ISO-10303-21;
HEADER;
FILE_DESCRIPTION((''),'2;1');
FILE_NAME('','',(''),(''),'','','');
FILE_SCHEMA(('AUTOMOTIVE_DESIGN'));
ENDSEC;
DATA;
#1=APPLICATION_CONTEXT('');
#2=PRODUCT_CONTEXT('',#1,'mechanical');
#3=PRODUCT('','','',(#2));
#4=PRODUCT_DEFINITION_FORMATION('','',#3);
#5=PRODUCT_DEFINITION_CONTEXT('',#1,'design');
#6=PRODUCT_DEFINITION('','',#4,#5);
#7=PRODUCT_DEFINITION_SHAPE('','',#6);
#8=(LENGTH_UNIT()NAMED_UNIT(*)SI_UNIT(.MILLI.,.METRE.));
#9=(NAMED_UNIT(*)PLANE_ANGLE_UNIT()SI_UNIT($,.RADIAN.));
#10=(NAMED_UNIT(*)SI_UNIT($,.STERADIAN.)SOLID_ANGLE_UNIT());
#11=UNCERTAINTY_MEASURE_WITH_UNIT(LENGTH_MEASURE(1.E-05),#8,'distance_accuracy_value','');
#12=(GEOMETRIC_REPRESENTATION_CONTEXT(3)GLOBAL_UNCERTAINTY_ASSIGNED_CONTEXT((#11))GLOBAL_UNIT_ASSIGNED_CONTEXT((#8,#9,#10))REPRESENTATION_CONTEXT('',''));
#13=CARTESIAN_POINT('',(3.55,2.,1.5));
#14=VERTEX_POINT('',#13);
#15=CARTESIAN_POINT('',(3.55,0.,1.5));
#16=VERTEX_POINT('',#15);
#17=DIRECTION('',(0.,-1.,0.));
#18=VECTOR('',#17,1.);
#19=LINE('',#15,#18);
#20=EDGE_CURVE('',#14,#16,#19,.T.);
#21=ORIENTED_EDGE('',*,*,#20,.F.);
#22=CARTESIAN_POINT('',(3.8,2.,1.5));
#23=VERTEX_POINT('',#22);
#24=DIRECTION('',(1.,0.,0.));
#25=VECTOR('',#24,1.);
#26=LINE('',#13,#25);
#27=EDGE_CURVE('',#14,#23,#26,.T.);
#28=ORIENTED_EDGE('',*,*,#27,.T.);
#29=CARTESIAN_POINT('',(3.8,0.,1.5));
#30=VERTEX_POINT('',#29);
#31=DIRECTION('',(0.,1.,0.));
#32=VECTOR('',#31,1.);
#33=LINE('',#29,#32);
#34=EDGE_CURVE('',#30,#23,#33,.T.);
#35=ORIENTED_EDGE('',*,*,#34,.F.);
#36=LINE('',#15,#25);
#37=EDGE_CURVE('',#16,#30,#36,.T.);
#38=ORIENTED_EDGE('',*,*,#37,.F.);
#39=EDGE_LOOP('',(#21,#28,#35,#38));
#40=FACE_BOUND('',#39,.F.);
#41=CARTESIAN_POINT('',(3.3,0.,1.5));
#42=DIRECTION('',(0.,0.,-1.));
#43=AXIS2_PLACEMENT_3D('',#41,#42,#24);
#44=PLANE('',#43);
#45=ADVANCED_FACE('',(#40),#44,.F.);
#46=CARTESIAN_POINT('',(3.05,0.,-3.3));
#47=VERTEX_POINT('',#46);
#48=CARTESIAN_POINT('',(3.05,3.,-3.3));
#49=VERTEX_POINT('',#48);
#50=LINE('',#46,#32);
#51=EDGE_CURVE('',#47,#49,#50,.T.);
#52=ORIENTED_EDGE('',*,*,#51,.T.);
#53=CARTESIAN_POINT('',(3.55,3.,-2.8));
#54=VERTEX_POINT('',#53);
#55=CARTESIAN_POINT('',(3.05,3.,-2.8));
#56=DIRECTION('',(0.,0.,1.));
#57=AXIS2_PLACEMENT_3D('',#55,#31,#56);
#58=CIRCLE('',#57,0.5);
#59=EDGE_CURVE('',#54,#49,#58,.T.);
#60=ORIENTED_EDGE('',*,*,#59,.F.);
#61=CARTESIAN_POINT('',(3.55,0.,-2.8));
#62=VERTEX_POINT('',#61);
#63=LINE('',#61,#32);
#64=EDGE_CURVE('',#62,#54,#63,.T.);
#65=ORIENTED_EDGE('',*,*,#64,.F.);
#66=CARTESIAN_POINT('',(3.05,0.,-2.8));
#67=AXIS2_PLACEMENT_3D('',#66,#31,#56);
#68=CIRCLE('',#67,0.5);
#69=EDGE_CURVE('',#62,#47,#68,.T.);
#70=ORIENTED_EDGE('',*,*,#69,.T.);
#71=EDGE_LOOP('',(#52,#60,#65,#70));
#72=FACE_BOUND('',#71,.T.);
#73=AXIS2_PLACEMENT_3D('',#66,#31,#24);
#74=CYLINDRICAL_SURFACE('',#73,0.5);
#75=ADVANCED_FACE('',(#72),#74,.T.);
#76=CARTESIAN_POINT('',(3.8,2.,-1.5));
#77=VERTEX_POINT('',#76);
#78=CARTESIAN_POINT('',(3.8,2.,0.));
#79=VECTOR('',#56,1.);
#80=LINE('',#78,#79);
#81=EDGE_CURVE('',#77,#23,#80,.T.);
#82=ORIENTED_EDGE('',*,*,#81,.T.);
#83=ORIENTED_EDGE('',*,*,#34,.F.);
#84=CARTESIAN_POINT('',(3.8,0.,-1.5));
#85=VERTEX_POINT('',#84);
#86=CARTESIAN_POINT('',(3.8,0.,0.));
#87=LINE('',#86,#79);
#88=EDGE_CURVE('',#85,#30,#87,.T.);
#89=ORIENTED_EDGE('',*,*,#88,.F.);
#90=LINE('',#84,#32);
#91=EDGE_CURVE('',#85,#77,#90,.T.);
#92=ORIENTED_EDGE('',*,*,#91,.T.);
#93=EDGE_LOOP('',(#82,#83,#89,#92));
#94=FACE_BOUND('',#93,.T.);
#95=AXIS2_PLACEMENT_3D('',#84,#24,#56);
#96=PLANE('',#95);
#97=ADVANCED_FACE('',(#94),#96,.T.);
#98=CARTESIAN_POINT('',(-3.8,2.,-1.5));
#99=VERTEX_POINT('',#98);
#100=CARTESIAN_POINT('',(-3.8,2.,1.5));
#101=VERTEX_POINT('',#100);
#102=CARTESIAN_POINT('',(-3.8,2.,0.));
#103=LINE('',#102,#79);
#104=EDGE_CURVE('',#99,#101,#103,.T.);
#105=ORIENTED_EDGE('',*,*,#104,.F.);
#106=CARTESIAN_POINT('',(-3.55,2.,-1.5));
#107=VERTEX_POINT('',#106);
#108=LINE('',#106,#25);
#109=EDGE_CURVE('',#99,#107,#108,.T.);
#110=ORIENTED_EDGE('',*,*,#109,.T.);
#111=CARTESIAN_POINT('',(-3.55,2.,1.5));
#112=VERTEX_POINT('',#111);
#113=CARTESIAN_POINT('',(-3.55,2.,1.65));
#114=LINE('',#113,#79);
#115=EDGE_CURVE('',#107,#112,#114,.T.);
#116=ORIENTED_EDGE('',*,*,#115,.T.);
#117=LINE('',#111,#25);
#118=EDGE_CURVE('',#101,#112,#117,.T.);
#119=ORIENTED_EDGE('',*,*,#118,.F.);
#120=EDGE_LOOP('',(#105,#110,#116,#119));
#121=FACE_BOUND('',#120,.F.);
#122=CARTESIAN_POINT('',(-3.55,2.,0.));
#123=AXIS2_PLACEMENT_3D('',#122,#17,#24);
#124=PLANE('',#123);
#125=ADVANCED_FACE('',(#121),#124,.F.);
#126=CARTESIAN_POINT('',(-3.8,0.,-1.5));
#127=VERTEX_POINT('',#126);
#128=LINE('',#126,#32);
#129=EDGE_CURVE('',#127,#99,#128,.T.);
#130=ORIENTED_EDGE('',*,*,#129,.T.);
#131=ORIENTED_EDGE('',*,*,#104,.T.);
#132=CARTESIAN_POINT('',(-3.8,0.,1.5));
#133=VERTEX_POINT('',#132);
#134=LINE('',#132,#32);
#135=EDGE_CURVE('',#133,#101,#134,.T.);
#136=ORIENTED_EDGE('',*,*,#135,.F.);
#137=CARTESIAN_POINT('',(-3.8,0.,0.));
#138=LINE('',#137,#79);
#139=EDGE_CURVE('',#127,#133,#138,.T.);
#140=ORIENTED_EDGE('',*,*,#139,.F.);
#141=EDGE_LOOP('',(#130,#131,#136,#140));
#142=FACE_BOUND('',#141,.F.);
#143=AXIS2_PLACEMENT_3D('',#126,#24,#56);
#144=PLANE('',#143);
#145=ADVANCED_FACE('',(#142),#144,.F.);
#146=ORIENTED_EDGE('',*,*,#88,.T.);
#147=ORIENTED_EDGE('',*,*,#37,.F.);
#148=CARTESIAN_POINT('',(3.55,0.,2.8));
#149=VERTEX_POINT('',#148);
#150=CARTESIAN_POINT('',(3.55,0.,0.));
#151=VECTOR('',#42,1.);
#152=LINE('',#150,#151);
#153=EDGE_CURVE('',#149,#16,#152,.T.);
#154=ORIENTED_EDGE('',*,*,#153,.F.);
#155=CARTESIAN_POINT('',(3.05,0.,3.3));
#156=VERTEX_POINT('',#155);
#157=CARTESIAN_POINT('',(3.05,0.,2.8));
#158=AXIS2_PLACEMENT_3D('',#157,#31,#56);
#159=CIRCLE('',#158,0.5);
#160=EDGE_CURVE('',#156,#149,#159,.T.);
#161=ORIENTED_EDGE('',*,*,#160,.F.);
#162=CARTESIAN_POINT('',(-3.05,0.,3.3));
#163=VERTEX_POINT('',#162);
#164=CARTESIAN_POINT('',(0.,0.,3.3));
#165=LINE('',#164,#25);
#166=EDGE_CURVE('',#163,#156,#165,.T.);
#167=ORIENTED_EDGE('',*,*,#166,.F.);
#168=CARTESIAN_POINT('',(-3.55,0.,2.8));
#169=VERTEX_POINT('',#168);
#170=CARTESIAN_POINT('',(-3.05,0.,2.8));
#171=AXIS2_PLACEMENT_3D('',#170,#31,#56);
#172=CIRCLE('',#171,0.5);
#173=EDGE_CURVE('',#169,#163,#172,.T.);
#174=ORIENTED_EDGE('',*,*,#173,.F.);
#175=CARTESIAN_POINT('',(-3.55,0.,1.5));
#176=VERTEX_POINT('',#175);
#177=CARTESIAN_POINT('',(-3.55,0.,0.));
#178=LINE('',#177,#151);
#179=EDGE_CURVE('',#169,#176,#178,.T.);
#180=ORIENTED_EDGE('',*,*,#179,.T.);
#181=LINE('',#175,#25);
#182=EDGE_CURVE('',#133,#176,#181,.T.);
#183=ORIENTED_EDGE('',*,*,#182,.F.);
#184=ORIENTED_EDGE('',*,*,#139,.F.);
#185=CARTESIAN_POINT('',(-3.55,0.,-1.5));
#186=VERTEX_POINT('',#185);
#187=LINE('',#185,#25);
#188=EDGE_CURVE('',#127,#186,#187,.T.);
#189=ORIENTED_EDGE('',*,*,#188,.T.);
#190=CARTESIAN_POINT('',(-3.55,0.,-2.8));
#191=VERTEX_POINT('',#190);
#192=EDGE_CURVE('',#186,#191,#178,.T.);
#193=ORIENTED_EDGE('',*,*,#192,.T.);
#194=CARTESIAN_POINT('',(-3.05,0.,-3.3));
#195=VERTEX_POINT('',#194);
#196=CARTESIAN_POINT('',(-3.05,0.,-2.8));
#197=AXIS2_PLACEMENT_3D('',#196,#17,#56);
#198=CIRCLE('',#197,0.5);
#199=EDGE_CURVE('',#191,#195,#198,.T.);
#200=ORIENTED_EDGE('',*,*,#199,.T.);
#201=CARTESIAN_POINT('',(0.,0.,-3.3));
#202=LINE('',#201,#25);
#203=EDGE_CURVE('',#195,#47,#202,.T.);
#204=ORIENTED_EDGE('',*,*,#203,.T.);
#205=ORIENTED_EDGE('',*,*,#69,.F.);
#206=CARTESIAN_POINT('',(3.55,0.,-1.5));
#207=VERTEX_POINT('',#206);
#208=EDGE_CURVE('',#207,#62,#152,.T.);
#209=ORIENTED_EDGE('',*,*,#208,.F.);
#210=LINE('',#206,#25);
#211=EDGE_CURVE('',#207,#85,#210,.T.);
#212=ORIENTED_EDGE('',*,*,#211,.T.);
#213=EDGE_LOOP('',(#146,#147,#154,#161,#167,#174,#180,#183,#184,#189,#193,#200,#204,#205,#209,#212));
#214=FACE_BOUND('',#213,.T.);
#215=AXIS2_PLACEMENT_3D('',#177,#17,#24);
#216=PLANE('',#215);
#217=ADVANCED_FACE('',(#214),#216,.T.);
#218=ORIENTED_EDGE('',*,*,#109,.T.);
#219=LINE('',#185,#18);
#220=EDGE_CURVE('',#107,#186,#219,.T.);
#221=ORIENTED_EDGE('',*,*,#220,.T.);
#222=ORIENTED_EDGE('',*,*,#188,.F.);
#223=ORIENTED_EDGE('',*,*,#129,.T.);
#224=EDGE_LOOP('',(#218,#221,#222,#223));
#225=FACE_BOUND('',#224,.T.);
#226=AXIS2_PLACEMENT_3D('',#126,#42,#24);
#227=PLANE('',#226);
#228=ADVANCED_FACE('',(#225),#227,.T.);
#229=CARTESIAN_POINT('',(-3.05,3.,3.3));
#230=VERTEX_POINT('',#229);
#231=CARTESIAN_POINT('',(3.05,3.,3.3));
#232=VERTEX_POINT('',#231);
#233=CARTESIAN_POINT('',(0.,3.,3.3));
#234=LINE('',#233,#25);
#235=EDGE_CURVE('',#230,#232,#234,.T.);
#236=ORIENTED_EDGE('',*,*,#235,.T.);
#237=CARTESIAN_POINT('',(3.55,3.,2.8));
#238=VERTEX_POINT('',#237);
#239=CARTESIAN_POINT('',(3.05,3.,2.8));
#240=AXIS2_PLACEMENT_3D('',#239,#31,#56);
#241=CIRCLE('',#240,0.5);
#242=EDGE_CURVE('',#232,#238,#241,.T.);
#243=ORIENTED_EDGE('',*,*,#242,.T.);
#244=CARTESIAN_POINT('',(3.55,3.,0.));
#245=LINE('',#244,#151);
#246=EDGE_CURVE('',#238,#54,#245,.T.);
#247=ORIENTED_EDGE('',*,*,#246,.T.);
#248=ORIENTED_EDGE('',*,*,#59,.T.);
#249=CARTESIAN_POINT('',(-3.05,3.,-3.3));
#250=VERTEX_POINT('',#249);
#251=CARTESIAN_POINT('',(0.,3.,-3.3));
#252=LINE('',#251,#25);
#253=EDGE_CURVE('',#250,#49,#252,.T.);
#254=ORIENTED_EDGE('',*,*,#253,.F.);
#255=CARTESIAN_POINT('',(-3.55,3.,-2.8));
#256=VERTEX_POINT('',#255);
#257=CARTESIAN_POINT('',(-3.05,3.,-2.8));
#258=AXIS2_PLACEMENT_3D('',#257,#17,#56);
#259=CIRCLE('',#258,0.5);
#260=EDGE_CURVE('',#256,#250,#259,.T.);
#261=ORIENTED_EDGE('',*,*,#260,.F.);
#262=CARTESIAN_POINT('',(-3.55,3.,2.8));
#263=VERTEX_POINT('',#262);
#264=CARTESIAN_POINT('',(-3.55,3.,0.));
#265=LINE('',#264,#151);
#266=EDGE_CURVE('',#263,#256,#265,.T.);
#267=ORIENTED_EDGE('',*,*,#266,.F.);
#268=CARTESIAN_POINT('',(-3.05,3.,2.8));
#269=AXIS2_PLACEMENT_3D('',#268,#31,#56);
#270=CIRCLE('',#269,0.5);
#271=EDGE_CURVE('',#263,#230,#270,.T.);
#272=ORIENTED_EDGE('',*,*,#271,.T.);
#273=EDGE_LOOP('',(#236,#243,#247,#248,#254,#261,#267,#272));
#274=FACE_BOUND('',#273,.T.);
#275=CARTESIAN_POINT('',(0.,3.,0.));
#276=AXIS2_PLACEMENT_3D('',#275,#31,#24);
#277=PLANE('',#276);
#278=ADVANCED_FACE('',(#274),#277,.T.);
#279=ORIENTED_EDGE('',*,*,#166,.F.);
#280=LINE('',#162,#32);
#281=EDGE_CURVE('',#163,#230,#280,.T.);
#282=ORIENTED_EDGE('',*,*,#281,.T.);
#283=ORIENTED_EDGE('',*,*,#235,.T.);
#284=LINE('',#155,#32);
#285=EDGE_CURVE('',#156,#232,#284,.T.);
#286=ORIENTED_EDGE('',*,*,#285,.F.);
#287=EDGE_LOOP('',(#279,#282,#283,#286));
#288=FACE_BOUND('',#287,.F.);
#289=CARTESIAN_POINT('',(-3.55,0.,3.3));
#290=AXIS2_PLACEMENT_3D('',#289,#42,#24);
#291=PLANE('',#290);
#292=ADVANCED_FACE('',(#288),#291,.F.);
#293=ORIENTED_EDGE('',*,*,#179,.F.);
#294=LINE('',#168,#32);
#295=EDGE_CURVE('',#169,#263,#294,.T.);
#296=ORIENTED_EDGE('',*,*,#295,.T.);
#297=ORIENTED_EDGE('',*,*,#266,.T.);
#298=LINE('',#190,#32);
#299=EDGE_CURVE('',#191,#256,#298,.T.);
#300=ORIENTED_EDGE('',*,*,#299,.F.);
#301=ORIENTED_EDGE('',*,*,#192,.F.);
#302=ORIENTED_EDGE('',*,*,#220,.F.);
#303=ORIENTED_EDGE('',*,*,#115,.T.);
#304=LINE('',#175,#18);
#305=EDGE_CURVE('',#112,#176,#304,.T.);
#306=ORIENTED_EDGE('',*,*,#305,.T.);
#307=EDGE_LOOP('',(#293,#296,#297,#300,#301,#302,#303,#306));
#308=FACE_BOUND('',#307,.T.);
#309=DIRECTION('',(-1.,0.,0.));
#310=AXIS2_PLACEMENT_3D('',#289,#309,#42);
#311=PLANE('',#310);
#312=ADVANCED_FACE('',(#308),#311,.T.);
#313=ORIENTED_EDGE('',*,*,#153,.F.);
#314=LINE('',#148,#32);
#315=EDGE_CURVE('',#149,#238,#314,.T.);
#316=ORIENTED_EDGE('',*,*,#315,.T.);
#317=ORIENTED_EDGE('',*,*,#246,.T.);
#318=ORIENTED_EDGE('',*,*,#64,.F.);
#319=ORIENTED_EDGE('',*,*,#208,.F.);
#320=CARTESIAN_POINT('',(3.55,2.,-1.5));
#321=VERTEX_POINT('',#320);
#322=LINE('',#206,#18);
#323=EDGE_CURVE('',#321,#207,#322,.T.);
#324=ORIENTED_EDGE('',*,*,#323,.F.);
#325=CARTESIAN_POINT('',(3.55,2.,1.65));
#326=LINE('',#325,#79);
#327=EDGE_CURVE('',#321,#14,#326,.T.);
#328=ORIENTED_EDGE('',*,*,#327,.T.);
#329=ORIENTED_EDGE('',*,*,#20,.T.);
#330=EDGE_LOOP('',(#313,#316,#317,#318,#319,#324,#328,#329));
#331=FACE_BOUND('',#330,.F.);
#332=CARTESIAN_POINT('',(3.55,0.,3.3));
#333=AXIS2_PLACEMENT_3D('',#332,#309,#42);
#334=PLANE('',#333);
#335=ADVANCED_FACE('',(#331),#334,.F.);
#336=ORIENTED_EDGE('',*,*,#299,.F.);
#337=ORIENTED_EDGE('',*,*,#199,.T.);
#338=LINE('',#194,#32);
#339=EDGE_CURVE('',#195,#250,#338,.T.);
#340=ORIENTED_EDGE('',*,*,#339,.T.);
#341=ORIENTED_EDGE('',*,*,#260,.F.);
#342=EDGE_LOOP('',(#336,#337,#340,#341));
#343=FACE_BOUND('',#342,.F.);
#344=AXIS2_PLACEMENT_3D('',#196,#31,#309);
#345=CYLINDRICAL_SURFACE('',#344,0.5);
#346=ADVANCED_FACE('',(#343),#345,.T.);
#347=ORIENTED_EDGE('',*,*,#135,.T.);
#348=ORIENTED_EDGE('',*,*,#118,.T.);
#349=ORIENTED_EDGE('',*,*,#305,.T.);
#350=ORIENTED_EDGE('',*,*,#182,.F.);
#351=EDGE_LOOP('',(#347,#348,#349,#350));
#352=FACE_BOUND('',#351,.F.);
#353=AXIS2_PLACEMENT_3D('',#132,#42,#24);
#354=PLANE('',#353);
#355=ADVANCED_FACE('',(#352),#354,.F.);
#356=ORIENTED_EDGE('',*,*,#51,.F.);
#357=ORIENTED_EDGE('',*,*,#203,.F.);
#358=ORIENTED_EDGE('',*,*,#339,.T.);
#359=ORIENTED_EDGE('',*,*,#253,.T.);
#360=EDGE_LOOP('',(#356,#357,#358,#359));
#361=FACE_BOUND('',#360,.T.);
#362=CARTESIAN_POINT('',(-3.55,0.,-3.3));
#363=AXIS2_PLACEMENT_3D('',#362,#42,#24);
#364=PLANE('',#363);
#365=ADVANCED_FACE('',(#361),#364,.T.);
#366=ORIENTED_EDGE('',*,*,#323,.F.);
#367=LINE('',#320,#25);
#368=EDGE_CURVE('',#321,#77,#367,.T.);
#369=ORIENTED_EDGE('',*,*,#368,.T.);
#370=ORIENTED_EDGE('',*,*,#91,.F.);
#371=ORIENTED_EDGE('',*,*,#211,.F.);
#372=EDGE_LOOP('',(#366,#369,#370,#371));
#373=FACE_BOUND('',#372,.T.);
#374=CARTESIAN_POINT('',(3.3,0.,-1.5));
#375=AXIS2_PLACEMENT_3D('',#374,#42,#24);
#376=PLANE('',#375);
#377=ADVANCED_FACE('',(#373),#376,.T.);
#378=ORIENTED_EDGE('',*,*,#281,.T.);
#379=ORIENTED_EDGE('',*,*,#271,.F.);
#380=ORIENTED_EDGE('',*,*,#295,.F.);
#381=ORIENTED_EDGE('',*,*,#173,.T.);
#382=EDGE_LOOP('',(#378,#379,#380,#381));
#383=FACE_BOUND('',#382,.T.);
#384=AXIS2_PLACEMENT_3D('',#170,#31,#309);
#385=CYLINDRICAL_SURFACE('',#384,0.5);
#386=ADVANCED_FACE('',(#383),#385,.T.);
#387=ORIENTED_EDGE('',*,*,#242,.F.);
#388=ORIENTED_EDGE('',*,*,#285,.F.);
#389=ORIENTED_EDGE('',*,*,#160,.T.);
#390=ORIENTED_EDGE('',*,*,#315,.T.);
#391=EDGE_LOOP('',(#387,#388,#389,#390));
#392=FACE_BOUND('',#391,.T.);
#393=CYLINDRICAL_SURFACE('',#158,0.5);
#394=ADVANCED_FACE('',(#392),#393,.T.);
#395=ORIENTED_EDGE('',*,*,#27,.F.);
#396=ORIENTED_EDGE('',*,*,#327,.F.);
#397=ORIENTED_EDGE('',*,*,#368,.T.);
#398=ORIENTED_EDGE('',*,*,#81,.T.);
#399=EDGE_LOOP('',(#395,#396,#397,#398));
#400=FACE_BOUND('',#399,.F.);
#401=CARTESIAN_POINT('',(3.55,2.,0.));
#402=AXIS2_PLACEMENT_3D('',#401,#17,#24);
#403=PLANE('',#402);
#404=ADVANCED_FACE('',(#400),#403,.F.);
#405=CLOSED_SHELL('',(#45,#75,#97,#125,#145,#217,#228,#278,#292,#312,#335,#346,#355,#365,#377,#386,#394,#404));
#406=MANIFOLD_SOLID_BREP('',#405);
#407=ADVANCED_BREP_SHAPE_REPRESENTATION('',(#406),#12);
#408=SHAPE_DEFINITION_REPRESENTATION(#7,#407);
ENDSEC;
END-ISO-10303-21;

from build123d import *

# Parameters (mm, degrees)
SKETCH_1_W      = 7.1
SKETCH_1_H      = 6.6
EXTRUDE_1_DEPTH = 3
FILLET_1_R      = 0.5
SKETCH_2_W      = 0.5
SKETCH_2_H      = 3
EXTRUDE_2_DEPTH = 2


with BuildPart() as part:
    # 草图1 → 凸台-拉伸1 (new body)
    with BuildSketch(Plane(origin=(0, 0, 0), x_dir=(1, 0, 0), z_dir=(0, 1, 0))):
        Rectangle(SKETCH_1_W, SKETCH_1_H)
    extrude(amount=EXTRUDE_1_DEPTH)

    # 圆角1
    fillet_1_edges = [part.edges().sort_by_distance(p)[0] for p in [
        (3.55, 1.5, 3.3),
        (-3.55, 1.5, 3.3),
        (-3.55, 1.5, -3.3),
        (3.55, 1.5, -3.3),
    ]]
    fillet(fillet_1_edges, radius=FILLET_1_R)

    # 草图2 → 凸台-拉伸2 (add)
    with BuildSketch(Plane.XZ):
        with Locations((-3.55, 0)):
            Rectangle(SKETCH_2_W, SKETCH_2_H)
        with Locations((3.55, 0)):
            Rectangle(SKETCH_2_W, SKETCH_2_H)
    extrude(amount=-EXTRUDE_2_DEPTH)


solid = part.part
